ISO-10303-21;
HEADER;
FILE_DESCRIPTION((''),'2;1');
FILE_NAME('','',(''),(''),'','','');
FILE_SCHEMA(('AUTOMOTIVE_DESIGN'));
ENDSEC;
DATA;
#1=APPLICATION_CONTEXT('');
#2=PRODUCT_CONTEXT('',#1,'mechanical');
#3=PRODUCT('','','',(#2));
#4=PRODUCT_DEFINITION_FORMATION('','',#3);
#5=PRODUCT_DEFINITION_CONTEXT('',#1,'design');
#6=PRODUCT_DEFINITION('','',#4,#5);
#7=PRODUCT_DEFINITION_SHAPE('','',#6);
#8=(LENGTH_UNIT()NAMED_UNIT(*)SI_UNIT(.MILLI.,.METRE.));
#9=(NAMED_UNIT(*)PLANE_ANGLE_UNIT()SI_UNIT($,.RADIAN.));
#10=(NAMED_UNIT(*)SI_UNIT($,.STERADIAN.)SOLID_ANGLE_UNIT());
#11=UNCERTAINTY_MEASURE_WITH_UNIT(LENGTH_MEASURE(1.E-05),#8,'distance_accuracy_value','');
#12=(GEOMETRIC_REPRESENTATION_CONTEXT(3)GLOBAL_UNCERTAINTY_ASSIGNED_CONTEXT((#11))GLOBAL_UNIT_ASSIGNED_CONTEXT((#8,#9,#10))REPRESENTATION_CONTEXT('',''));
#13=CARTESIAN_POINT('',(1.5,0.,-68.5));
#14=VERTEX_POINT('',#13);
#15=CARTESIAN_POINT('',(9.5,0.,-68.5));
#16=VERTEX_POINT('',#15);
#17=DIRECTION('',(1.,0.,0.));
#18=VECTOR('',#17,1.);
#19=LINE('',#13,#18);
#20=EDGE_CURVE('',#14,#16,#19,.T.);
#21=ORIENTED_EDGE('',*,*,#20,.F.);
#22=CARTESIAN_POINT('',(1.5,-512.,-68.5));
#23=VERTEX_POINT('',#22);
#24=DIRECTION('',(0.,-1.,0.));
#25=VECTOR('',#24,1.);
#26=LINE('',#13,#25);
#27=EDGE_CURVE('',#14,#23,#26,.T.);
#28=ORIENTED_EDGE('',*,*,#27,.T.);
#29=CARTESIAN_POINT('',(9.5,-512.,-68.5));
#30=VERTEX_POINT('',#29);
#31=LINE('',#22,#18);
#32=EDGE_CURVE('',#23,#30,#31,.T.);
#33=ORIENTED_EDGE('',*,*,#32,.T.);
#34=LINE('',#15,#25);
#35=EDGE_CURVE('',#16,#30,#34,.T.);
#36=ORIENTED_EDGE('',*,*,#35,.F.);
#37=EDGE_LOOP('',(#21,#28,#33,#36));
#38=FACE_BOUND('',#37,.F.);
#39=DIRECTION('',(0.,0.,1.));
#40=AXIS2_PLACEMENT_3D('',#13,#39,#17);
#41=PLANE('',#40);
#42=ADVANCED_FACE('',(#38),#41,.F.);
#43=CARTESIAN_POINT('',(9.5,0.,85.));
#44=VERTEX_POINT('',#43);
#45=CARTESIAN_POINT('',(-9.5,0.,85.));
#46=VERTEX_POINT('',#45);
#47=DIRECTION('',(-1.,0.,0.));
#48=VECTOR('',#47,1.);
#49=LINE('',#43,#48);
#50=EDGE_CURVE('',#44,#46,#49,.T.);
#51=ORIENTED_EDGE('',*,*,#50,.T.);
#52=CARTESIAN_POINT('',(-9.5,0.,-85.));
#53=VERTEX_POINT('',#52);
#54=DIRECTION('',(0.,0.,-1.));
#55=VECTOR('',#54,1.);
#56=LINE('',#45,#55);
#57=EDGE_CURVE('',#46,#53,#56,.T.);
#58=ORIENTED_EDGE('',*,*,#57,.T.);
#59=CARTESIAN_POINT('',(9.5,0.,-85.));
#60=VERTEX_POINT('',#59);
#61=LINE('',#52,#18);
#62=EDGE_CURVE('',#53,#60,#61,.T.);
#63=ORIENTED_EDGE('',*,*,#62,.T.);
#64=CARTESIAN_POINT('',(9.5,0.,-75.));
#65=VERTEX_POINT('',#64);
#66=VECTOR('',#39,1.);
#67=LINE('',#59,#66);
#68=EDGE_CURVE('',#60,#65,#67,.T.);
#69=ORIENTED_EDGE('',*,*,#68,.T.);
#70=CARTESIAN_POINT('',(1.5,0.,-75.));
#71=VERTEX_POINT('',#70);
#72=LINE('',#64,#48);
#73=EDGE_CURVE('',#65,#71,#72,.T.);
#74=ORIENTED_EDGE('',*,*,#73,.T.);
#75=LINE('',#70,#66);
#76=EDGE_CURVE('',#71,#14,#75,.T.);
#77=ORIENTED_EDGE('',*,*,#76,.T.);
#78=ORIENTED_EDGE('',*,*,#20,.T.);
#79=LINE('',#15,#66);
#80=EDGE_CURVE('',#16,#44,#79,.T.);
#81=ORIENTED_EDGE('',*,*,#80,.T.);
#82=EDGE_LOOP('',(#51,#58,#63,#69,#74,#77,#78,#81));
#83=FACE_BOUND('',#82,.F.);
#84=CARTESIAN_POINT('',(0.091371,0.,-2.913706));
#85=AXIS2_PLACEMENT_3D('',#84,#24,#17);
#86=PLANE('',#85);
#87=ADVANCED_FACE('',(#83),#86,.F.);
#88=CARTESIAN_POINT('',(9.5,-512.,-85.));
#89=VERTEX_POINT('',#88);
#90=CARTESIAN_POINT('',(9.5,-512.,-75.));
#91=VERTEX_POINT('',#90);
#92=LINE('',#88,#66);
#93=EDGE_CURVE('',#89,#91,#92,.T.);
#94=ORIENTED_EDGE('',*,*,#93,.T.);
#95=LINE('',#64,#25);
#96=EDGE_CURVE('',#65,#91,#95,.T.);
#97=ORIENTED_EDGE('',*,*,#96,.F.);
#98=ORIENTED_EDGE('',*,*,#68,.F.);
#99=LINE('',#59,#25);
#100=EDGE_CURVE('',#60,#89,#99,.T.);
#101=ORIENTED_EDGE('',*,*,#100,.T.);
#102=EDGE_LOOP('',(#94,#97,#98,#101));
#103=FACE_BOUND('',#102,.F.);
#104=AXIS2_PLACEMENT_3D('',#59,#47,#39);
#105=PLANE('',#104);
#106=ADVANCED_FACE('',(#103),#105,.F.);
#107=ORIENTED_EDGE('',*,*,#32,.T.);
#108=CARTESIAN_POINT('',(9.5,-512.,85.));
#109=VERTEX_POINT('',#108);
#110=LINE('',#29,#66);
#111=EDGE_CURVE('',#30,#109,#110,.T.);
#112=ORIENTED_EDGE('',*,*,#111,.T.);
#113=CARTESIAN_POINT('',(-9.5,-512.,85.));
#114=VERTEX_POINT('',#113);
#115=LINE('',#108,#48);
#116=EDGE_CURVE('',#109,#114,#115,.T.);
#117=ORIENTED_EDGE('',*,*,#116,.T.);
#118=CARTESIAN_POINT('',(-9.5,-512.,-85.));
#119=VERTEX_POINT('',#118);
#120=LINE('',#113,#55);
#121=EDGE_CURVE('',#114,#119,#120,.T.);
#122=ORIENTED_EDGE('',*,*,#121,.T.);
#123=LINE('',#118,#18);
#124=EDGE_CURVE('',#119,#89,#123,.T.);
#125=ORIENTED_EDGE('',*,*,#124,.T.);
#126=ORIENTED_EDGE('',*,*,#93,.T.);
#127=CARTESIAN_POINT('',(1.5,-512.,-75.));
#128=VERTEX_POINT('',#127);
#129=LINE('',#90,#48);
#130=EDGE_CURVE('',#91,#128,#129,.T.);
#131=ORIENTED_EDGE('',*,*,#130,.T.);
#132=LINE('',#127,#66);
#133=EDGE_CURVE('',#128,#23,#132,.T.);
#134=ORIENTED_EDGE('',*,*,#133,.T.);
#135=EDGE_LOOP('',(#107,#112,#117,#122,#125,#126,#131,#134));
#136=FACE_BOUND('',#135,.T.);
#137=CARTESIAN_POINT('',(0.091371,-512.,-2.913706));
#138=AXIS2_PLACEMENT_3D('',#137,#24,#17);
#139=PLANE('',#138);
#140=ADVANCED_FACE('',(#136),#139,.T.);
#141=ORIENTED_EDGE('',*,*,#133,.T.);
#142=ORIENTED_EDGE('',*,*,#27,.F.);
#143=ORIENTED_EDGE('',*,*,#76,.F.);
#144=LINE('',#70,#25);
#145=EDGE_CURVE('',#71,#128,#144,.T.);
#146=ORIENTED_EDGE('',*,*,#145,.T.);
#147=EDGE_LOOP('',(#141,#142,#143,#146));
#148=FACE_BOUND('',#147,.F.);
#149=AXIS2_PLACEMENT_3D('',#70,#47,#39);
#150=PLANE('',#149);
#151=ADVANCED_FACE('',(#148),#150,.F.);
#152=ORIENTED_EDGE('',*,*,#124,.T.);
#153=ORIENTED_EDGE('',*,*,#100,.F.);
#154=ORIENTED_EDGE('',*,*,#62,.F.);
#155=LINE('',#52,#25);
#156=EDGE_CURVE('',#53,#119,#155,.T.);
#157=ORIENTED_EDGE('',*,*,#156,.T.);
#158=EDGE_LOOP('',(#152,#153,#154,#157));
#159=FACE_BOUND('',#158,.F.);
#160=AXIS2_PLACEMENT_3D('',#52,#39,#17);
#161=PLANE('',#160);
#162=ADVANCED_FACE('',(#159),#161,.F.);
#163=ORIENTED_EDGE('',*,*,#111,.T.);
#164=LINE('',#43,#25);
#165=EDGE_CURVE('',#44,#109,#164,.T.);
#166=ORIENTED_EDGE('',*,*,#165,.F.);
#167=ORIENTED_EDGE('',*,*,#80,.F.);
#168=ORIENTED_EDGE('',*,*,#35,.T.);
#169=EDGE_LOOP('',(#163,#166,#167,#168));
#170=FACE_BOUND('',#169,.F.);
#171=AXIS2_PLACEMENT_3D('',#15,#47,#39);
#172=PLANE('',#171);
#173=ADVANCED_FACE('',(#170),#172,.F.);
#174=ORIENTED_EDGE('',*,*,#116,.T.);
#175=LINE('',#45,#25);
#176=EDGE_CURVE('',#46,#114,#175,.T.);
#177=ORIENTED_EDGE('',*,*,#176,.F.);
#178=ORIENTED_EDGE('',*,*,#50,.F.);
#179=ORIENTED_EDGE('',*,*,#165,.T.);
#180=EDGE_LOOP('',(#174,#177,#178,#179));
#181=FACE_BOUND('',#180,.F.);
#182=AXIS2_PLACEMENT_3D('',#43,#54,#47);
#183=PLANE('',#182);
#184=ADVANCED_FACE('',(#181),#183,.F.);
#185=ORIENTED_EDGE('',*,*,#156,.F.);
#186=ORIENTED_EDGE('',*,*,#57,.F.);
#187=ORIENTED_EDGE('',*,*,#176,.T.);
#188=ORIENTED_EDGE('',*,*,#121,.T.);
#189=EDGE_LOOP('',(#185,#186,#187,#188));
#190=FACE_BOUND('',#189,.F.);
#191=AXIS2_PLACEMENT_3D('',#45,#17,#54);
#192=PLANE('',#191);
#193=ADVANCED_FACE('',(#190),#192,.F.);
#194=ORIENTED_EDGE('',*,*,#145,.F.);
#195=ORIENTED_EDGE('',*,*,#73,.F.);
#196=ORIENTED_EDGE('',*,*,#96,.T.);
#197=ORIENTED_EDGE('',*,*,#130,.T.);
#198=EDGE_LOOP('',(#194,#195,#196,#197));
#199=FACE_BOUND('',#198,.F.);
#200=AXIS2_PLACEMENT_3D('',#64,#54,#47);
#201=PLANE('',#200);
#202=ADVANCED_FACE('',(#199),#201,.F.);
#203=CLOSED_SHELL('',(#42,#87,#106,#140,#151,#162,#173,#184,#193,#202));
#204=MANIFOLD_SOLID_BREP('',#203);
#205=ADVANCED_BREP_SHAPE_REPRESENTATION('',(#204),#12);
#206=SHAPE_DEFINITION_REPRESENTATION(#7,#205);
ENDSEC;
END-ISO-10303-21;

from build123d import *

# Parameters (mm, degrees)
PAD_DEPTH = 512


with BuildPart() as part:
    # Sketch → Pad (new body)
    with BuildSketch(Plane.XZ):
        Polygon((-9.5, -85), (9.5, -85), (9.5, -75), (1.5, -75), (1.5, -68.5), (9.5, -68.5), (9.5, 85), (-9.5, 85), align=None)
    extrude(amount=PAD_DEPTH)


solid = part.part
